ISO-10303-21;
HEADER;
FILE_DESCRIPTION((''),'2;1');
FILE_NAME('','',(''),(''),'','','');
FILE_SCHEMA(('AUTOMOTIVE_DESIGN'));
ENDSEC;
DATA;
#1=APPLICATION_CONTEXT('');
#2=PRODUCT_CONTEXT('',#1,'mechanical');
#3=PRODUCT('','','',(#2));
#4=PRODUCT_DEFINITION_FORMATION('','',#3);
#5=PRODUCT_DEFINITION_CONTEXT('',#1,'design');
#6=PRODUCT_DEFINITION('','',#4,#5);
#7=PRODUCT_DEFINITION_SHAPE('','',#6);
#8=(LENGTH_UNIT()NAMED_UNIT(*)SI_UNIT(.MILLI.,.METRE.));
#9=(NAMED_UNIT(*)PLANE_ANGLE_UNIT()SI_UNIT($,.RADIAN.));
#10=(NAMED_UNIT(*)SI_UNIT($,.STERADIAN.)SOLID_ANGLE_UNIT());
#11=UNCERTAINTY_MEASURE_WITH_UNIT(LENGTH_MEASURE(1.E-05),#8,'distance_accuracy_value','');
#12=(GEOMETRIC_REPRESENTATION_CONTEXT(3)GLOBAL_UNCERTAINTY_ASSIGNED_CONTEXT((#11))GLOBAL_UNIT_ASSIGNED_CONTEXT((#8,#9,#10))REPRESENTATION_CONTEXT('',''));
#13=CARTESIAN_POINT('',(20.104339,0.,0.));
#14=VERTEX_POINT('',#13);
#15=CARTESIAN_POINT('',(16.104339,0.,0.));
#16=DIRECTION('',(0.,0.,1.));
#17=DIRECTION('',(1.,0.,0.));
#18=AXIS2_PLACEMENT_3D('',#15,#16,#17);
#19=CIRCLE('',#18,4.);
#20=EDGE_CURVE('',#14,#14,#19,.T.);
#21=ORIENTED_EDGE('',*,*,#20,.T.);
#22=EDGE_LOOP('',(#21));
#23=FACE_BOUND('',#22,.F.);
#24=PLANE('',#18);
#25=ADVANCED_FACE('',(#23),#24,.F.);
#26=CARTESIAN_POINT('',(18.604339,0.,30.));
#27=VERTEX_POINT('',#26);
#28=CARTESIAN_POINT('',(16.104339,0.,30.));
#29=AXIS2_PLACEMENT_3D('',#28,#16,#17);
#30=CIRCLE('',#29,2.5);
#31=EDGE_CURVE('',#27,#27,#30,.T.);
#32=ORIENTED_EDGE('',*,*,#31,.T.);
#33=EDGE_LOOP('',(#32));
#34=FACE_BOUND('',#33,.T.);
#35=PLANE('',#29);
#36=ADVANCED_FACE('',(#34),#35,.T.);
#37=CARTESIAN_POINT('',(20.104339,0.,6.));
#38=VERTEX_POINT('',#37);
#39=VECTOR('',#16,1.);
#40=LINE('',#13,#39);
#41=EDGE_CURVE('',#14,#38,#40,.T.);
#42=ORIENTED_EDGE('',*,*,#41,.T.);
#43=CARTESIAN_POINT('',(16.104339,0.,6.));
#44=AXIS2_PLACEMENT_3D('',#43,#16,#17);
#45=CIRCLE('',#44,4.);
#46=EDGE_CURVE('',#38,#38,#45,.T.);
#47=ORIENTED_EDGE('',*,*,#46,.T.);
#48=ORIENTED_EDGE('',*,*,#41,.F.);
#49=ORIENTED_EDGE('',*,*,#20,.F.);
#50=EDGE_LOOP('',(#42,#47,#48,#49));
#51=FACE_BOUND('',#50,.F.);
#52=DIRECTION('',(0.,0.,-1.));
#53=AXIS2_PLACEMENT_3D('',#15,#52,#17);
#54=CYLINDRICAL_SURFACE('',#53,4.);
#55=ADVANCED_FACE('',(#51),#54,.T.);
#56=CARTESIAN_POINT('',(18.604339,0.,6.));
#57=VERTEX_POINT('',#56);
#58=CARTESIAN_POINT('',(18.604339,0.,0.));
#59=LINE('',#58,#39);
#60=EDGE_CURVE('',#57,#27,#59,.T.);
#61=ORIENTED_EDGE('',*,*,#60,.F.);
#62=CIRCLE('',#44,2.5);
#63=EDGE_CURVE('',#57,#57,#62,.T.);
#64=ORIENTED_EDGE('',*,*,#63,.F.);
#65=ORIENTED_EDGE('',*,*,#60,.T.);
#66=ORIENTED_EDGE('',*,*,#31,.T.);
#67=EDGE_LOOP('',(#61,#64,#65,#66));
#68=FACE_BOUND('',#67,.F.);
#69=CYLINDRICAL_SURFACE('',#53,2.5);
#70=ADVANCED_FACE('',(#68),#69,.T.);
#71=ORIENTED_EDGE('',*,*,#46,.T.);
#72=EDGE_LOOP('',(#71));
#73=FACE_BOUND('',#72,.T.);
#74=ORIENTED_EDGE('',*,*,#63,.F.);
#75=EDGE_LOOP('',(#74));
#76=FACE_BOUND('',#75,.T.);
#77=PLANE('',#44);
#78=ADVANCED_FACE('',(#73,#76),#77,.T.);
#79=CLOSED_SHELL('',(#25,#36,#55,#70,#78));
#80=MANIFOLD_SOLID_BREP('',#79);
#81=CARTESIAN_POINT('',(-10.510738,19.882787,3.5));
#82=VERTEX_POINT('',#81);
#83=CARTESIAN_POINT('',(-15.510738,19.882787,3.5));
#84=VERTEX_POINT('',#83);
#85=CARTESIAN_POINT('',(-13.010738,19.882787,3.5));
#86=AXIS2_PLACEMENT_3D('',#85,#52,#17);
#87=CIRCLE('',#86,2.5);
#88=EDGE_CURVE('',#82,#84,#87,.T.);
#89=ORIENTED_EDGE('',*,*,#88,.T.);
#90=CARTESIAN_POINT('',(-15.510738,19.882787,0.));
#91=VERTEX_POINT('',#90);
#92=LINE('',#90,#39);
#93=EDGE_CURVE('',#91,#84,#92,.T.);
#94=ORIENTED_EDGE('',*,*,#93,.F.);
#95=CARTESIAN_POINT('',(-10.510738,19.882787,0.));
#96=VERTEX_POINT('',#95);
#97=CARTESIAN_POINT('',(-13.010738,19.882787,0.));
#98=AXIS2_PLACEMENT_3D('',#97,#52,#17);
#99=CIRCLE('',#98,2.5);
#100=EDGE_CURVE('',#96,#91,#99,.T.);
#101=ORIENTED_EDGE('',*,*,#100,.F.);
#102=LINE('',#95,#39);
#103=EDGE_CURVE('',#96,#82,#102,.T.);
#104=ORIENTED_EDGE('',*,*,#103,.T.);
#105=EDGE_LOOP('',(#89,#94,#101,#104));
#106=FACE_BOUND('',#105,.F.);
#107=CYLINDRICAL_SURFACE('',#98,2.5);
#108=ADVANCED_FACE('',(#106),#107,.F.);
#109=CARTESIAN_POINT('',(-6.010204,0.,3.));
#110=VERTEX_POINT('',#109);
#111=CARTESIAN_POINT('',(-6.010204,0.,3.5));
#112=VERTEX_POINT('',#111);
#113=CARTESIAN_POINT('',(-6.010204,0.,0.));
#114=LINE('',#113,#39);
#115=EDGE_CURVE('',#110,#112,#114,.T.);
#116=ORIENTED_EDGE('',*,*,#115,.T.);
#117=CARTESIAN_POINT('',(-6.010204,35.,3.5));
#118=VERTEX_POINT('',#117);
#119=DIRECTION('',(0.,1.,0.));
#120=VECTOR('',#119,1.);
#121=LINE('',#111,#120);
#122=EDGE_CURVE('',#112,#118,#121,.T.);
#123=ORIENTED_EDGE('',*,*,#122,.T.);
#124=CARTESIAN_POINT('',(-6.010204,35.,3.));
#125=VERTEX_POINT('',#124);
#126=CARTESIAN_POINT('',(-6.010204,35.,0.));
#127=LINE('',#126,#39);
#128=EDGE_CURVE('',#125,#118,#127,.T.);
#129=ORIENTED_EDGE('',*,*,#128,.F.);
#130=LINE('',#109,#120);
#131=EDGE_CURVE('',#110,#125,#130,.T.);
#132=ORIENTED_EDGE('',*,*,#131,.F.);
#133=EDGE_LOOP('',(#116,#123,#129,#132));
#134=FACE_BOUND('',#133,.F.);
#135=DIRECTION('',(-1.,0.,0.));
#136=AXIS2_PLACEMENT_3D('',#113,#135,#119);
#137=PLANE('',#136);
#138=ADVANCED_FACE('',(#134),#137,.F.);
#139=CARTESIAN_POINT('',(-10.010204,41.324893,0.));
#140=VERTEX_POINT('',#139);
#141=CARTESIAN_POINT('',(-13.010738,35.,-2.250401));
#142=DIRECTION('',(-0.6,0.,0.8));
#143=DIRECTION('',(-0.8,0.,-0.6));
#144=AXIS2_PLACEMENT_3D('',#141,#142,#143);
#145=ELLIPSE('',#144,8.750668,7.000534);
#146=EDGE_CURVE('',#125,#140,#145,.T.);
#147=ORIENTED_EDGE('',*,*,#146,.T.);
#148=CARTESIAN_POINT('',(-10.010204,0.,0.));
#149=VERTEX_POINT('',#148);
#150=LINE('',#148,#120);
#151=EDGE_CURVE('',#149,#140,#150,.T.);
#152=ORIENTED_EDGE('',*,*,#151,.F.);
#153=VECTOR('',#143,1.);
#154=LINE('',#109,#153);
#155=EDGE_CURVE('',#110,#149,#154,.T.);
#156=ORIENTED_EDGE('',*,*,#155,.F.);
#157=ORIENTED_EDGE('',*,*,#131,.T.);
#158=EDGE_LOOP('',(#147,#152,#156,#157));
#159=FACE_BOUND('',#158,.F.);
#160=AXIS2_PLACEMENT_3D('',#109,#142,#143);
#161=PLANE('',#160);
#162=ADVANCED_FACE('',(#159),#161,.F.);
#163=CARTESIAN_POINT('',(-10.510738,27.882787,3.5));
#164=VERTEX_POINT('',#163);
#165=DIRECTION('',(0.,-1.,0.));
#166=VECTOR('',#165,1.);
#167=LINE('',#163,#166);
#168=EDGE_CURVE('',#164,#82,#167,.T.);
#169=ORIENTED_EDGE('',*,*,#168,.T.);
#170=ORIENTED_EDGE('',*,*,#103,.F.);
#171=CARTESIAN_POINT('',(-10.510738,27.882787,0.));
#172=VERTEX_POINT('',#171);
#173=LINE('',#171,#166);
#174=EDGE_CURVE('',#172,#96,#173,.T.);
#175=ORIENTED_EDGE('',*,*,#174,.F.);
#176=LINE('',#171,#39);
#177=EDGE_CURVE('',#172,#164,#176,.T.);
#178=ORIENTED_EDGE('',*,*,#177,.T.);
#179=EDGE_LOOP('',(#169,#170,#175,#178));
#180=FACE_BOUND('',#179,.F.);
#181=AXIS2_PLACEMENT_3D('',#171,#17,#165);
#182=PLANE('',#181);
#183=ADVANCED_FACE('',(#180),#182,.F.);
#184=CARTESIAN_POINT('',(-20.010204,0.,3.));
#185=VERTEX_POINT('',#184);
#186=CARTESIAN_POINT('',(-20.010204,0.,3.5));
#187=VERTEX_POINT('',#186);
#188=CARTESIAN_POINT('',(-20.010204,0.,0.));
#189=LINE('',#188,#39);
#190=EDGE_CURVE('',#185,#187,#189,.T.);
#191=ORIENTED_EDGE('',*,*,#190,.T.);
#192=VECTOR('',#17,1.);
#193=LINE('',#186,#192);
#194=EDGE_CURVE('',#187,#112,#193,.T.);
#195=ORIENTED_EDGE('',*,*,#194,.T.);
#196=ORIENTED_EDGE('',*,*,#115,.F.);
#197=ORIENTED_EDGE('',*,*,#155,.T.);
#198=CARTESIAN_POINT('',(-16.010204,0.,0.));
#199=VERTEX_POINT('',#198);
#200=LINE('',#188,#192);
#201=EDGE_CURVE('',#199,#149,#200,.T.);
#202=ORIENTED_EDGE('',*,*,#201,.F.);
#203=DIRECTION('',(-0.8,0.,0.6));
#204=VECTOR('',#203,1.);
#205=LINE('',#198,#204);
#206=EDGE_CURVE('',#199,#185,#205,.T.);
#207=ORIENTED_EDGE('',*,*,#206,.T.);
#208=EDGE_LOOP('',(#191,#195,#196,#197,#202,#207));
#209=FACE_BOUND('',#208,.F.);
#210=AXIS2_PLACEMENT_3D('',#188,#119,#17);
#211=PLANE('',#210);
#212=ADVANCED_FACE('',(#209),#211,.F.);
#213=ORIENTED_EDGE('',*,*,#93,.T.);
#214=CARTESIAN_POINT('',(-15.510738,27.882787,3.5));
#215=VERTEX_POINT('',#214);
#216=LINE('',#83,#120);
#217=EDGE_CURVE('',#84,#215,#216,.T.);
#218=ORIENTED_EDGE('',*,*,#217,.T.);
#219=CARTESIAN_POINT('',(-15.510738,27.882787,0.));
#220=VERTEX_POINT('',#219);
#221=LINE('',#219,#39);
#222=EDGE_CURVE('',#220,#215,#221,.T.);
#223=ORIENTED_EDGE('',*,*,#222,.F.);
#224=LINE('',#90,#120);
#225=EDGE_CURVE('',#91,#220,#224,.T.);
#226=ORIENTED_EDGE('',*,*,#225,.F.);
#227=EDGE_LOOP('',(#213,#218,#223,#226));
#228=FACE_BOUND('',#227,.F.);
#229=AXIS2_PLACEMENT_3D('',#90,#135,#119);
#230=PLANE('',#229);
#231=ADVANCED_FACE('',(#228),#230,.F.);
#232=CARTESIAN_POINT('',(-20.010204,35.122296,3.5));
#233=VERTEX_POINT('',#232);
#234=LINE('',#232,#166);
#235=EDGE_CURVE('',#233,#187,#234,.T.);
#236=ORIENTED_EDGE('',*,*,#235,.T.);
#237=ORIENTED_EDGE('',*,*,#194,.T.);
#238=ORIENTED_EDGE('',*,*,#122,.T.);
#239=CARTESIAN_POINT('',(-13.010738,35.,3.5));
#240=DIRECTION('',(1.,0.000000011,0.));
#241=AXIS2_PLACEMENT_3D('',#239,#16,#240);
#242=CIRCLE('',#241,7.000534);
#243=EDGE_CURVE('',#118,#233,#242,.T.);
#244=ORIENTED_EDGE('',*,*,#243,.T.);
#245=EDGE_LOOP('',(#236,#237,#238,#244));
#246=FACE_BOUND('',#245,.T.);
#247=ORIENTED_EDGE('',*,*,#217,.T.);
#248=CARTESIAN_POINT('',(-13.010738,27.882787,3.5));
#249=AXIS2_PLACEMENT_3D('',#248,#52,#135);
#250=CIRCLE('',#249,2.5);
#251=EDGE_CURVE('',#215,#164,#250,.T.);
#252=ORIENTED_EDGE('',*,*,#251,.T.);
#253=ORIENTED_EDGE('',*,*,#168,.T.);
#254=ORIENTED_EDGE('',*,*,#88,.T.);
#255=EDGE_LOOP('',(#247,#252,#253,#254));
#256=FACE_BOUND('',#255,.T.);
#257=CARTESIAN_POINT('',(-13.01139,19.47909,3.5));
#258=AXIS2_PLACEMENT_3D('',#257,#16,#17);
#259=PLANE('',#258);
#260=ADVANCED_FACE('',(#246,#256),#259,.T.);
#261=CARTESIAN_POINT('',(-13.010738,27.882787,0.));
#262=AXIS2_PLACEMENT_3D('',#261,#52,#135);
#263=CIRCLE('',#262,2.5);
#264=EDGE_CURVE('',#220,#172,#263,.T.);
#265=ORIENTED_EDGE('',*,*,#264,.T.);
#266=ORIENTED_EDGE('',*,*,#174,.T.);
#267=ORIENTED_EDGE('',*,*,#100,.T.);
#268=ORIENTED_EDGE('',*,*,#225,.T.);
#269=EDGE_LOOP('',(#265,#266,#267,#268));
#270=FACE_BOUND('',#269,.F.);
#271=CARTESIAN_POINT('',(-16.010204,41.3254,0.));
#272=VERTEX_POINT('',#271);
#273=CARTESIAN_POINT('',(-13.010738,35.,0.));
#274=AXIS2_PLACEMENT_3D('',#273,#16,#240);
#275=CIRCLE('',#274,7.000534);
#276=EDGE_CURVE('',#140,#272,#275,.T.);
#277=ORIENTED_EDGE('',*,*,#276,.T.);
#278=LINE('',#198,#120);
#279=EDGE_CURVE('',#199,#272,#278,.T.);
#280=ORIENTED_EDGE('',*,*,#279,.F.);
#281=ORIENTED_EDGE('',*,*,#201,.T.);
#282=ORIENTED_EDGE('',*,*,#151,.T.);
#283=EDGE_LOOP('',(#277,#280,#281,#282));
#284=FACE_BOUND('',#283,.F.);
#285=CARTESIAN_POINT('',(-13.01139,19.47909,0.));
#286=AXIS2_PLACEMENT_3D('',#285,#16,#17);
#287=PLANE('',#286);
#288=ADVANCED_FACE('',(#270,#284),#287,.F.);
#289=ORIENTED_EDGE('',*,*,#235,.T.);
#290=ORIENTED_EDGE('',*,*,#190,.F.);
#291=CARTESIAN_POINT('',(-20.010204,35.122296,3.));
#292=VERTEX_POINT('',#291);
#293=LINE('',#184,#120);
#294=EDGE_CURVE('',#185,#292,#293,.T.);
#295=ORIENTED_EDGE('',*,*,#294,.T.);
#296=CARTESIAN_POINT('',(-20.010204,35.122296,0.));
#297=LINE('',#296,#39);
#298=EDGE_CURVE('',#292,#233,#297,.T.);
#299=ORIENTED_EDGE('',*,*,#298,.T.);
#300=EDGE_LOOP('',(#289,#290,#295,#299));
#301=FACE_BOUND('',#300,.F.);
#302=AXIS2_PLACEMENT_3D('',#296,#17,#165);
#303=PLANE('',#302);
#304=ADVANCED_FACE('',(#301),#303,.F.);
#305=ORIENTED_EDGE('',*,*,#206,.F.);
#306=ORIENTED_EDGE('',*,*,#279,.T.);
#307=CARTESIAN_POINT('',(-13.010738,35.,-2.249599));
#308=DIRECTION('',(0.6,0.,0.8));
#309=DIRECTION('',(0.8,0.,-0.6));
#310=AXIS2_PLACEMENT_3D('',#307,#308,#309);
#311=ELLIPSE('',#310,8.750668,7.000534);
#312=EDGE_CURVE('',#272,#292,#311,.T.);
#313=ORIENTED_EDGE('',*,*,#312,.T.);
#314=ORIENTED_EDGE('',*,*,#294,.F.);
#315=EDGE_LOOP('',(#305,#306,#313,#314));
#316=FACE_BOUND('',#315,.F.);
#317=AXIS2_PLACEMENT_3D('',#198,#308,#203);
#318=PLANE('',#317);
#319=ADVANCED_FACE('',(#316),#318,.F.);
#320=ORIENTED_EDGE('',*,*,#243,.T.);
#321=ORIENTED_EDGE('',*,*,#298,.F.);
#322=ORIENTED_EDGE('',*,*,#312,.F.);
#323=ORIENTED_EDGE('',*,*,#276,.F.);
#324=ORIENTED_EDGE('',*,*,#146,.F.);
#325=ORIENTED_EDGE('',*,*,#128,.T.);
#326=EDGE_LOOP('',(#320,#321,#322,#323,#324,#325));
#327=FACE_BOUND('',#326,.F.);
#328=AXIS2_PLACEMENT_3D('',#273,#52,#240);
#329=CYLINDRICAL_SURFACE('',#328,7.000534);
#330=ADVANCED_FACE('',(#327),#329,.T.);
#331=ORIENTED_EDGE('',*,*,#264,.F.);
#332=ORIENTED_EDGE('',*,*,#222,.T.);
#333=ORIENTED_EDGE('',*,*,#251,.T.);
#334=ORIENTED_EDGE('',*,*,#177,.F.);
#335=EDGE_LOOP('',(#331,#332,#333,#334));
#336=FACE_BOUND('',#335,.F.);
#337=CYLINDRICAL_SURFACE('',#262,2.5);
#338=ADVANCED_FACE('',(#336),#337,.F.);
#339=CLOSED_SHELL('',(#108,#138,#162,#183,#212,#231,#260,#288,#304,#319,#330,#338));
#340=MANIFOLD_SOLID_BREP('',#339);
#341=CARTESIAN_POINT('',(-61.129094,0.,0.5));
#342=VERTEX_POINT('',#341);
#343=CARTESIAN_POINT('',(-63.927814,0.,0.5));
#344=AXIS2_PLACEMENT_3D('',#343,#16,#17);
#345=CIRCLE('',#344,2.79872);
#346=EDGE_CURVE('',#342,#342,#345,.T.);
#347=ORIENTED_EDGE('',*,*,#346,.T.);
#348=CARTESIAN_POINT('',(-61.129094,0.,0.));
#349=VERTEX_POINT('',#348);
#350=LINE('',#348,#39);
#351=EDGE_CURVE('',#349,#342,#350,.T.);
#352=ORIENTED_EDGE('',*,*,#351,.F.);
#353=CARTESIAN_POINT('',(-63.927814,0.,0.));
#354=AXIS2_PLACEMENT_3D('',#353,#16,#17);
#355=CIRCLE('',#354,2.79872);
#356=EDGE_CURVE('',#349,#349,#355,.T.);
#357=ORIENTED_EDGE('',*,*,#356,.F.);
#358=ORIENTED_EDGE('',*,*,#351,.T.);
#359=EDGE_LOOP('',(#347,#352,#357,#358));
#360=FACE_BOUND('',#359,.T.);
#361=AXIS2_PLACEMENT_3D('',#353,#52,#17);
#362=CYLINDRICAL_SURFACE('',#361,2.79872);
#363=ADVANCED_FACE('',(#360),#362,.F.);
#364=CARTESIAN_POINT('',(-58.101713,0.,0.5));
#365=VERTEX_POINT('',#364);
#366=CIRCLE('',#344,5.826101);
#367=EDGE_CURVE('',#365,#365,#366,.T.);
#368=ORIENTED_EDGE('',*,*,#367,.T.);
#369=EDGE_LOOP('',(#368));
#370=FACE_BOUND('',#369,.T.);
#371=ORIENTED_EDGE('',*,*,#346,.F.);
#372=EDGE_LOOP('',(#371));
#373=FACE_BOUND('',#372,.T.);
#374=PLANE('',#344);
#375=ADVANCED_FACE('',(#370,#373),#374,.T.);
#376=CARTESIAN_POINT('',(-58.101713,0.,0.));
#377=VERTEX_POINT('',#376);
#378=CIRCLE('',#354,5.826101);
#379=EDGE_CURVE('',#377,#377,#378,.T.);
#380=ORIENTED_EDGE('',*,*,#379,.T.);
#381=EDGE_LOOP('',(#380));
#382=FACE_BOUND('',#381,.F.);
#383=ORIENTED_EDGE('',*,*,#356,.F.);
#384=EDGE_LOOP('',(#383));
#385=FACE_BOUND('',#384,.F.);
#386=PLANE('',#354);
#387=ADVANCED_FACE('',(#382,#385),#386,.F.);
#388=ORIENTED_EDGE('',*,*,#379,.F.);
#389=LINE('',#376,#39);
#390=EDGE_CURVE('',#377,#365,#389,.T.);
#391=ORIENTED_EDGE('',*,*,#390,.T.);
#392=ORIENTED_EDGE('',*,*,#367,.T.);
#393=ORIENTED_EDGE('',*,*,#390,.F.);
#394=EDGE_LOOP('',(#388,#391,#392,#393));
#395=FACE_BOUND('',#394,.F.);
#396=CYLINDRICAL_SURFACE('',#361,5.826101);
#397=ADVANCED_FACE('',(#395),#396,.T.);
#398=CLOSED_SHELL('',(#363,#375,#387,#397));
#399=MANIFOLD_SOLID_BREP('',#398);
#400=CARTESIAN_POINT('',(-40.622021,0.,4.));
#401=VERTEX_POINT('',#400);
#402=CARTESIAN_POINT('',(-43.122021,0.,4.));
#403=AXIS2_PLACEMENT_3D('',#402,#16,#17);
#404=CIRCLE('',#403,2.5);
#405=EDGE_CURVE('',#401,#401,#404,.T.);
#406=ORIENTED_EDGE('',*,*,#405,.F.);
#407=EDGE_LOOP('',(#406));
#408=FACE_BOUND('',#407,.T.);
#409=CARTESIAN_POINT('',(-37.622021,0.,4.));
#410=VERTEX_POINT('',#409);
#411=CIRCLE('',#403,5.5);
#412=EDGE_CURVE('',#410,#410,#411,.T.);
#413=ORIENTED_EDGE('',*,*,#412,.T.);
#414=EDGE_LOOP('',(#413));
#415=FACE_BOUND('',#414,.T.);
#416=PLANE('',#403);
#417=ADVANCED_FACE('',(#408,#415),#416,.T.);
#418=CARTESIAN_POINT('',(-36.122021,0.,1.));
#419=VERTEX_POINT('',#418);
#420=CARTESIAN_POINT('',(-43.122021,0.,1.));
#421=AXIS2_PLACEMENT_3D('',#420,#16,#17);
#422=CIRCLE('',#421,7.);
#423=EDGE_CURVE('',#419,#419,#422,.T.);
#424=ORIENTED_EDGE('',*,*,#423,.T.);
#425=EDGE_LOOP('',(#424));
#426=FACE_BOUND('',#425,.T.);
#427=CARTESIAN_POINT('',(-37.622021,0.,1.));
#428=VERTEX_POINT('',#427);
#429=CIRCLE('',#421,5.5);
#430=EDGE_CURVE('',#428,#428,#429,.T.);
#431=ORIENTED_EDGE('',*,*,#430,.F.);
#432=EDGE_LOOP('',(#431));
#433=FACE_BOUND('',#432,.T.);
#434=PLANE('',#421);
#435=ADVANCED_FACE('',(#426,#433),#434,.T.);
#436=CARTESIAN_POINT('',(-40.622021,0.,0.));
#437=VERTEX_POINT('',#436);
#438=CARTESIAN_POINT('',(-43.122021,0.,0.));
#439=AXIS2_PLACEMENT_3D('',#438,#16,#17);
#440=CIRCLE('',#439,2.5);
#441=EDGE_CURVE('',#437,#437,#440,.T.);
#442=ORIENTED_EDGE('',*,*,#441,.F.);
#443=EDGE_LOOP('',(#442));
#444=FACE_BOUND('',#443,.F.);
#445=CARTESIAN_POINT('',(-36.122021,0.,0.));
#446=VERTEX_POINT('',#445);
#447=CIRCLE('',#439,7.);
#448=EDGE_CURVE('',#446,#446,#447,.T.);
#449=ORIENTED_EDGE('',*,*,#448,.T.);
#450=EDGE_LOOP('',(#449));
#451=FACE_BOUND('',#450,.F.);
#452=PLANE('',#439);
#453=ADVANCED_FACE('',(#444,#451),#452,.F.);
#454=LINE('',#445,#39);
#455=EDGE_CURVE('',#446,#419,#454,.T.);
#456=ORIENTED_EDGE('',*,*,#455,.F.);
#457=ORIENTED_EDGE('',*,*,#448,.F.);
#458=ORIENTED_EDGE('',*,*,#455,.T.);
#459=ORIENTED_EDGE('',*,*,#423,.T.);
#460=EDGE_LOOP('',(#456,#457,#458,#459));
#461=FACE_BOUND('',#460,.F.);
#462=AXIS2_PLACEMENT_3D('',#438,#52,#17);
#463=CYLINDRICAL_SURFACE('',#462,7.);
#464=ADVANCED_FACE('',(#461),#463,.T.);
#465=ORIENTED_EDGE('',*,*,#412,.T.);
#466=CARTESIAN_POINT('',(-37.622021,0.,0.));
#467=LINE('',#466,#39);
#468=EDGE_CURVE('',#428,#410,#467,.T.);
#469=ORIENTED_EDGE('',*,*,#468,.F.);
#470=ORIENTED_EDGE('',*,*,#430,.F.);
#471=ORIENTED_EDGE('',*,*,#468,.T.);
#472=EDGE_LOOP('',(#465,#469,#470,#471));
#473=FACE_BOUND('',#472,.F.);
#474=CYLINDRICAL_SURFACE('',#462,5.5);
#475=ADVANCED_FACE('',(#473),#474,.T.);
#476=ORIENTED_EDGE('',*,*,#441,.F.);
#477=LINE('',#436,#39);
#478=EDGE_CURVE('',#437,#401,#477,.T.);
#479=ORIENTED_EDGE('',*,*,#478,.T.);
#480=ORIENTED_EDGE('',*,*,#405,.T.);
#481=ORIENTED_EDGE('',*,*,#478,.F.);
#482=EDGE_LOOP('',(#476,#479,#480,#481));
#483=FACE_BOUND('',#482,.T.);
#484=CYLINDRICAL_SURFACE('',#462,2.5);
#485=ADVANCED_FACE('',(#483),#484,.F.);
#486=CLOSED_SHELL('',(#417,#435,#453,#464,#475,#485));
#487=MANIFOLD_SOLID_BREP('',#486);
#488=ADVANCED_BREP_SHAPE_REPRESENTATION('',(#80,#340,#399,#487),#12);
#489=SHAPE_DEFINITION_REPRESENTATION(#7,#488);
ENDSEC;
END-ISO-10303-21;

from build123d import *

# Parameters (mm, degrees)
F1_DEPTH = 3.5
F3_DEPTH = 42.001534
F0_R     = 5.5
F0_R_2   = 2.5
F4_DEPTH = 4
F0_R_3   = 7
F5_DEPTH = 1
F0_R_4   = 5.826101
F0_R_5   = 2.79872
F6_DEPTH = 0.5
F7_DEPTH = 30
F0_R_6   = 4
F8_DEPTH = 6


with BuildPart() as f1:
    # F0 (on Top) → F1 (new body)
    with BuildSketch(Plane.XY):
        with BuildLine():
            Line((-20.010204, 35.122296), (-20.010204, 0))
            Line((-20.010204, 0), (-6.010204, 0))
            Line((-6.010204, 0), (-6.010204, 35))
            ThreePointArc((-6.010204, 35), (-12.949588, 42.000267), (-20.010204, 35.122296))
        make_face()
        with BuildLine():
            Line((-15.510738, 19.882787), (-15.510738, 27.882787))
            ThreePointArc((-15.510738, 27.882787), (-13.010738, 30.382787), (-10.510738, 27.882787))
            Line((-10.510738, 27.882787), (-10.510738, 19.882787))
            ThreePointArc((-10.510738, 19.882787), (-13.010738, 17.382787), (-15.510738, 19.882787))
        make_face(mode=Mode.SUBTRACT)
    extrude(amount=F1_DEPTH)

    # F2 (on face) → F3 (cut, through all)
    with BuildSketch(Plane.XZ):
        Polygon((-16.010204, 0), (-20.010204, 3), (-20.010204, 0), align=None)
        Polygon((-6.010204, 3), (-10.010204, 0), (-6.010204, 0), align=None)
    extrude(amount=-F3_DEPTH, mode=Mode.SUBTRACT)


with BuildPart() as f4:
    # F0 (on Top) → F4 (new body)
    with BuildSketch(Plane.XY):
        with Locations((-43.122021, 0)):
            Circle(F0_R)
        with Locations((-43.122021, 0)):
            Circle(F0_R_2, mode=Mode.SUBTRACT)
    extrude(amount=F4_DEPTH)

    # F0 (on Top) → F5 (join)
    with BuildSketch(Plane.XY):
        with Locations((-43.122021, 0)):
            Circle(F0_R_3)
        with Locations((-43.122021, 0)):
            Circle(F0_R, mode=Mode.SUBTRACT)
    extrude(amount=F5_DEPTH)


with BuildPart() as f6:
    # F0 (on Top) → F6 (new body)
    with BuildSketch(Plane.XY):
        with Locations((-63.927814, 0)):
            Circle(F0_R_4)
        with Locations((-63.927814, 0)):
            Circle(F0_R_5, mode=Mode.SUBTRACT)
    extrude(amount=F6_DEPTH)


with BuildPart() as f7:
    # F0 (on Top) → F7 (new body)
    with BuildSketch(Plane.XY):
        with Locations((16.104339, 0)):
            Circle(F0_R_2)
    extrude(amount=F7_DEPTH)

    # F0 (on Top) → F8 (join)
    with BuildSketch(Plane.XY):
        with Locations((16.104339, 0)):
            Circle(F0_R_6)
        with Locations((16.104339, 0)):
            Circle(F0_R_2, mode=Mode.SUBTRACT)
    extrude(amount=F8_DEPTH)


solid = Compound([f1.part, f4.part, f6.part, f7.part])
